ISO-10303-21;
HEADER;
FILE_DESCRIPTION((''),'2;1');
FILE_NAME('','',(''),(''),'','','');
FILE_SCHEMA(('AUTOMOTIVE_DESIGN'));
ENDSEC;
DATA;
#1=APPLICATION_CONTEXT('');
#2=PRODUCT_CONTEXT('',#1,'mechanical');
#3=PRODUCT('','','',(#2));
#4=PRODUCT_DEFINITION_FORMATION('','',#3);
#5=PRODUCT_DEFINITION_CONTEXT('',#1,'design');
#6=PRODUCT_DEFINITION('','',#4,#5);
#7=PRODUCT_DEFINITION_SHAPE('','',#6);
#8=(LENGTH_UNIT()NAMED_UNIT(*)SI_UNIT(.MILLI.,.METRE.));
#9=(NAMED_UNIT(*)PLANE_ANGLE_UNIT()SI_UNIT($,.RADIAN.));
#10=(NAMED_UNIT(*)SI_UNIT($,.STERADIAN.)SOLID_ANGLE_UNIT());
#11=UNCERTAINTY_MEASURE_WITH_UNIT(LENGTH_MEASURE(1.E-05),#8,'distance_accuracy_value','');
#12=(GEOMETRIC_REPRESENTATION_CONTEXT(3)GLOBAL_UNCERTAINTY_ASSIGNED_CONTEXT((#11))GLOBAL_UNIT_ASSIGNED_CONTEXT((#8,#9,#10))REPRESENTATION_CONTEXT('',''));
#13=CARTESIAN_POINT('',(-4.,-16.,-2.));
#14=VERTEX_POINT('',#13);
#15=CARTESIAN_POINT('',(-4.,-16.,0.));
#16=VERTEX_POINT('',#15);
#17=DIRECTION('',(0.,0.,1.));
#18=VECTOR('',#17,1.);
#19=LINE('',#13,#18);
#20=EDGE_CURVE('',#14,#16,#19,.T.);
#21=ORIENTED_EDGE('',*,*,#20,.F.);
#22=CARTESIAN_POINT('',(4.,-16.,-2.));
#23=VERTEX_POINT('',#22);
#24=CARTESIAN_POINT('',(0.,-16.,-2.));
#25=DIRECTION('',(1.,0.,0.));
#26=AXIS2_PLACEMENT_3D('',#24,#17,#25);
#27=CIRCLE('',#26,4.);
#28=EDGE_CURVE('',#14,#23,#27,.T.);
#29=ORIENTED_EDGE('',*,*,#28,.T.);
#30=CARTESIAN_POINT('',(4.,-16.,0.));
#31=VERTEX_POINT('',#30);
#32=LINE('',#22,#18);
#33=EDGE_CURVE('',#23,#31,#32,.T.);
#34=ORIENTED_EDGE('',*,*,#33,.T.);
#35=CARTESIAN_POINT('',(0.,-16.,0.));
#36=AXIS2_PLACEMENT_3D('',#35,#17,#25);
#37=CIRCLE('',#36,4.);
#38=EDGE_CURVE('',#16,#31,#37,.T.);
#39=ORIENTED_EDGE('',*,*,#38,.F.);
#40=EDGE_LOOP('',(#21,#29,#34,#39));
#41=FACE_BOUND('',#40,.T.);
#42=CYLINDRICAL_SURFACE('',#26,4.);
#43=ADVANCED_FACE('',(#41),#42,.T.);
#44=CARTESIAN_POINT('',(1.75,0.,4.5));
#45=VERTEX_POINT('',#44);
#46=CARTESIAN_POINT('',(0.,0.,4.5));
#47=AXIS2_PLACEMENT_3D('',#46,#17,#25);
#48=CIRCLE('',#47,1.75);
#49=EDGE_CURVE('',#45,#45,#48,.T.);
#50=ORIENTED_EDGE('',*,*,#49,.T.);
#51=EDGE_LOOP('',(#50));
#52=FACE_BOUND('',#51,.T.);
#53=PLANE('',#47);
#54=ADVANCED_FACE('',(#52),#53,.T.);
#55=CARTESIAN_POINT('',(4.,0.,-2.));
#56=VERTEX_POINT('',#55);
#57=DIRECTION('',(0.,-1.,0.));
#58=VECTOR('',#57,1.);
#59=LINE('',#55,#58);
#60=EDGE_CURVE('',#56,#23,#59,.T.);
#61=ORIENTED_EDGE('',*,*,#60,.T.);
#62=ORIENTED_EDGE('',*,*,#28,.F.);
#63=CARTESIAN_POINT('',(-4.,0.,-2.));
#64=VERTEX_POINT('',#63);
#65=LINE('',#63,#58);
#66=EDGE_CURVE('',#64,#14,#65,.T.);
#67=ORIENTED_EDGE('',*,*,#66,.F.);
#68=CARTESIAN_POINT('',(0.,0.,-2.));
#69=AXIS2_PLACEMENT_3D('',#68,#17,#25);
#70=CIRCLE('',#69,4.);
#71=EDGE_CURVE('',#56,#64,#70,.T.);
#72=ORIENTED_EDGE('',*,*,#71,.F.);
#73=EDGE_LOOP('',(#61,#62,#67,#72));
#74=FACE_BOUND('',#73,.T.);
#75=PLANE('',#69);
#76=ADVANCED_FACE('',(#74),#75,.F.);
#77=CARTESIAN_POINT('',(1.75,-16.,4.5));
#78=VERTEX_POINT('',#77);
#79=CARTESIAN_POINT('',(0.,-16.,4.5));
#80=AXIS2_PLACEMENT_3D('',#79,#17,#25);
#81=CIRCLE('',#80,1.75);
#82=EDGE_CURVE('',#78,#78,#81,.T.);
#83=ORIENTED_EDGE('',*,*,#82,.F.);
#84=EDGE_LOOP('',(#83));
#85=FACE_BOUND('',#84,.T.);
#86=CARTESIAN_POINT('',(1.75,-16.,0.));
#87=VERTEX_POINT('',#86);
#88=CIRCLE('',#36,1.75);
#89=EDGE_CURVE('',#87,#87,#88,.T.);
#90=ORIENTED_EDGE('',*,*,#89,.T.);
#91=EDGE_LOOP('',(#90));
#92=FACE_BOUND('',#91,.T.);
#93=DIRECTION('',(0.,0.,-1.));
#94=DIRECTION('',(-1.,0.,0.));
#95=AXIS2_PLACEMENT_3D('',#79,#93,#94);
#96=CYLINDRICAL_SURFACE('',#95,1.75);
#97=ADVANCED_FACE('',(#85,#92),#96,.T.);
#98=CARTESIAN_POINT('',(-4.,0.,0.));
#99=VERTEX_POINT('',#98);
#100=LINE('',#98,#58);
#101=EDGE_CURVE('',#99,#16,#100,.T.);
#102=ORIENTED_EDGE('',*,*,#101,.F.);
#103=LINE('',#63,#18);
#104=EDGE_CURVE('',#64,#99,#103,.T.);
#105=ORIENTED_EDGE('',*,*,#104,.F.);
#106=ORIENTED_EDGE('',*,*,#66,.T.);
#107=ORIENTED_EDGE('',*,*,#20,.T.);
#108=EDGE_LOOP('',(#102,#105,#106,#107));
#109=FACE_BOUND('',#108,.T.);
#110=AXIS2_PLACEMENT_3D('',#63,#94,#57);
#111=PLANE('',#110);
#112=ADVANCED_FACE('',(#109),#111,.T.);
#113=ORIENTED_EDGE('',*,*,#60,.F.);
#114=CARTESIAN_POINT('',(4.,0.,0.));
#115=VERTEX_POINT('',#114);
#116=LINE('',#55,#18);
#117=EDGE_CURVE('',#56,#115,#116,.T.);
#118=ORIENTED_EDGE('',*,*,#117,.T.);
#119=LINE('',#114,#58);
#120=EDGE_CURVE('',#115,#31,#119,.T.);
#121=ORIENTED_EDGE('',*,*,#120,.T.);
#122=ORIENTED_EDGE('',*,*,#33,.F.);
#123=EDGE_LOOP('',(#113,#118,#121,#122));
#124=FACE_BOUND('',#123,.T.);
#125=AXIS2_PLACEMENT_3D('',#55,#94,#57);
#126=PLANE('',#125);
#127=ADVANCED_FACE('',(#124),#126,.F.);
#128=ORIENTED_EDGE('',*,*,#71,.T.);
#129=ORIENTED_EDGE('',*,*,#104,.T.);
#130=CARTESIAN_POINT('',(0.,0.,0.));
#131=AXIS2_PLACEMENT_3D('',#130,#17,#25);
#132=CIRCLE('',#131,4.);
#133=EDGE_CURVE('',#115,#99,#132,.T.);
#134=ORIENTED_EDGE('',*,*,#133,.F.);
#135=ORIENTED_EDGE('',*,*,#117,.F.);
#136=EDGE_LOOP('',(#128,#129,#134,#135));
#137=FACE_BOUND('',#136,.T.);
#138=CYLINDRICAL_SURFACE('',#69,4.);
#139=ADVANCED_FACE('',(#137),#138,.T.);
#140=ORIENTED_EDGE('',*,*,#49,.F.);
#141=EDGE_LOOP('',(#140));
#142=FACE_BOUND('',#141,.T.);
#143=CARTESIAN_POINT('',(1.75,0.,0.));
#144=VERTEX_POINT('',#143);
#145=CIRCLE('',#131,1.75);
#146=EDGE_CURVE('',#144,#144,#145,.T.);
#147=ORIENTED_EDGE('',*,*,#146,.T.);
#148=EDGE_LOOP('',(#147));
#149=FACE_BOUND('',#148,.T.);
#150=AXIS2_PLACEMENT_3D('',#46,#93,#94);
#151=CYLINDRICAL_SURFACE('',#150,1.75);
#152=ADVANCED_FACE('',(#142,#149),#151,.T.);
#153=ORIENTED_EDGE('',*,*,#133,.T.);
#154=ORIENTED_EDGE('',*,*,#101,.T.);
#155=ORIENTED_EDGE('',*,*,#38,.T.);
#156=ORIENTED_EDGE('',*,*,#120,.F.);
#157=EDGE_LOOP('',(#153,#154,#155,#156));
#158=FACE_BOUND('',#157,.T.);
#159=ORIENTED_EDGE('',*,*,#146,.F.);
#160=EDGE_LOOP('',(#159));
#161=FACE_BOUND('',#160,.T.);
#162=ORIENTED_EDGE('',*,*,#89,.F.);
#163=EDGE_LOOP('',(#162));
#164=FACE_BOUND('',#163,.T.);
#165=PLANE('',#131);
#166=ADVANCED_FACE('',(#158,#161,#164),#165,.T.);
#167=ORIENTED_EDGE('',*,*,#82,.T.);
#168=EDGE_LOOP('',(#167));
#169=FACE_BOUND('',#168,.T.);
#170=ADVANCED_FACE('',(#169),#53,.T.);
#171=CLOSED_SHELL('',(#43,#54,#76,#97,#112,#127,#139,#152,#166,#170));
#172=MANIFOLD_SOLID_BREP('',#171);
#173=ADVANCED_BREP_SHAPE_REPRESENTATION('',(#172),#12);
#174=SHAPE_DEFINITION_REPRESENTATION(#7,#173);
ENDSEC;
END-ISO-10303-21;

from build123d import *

# Parameters (mm, degrees)
BOSS_EXTRUDE1_DEPTH = 2
SKETCH1_4_R         = 1.75
BOSS_EXTRUDE2_DEPTH = 4.5


with BuildPart() as part:
    # Sketch1 → Boss-Extrude1 (new body)
    with BuildSketch(Plane.XY):
        with BuildLine():
            ThreePointArc((4, 0), (0, 4), (-4, 0))
            Line((-4, 0), (-4, -16))
            ThreePointArc((-4, -16), (0, -20), (4, -16))
            Line((4, -16), (4, 0))
        make_face()
    extrude(amount=-BOSS_EXTRUDE1_DEPTH)

    # Sketch1<4> → Boss-Extrude2 (add)
    with BuildSketch(Plane.XY):
        Circle(SKETCH1_4_R)
        with Locations((0, -16)):
            Circle(SKETCH1_4_R)
    extrude(amount=BOSS_EXTRUDE2_DEPTH)


solid = part.part
